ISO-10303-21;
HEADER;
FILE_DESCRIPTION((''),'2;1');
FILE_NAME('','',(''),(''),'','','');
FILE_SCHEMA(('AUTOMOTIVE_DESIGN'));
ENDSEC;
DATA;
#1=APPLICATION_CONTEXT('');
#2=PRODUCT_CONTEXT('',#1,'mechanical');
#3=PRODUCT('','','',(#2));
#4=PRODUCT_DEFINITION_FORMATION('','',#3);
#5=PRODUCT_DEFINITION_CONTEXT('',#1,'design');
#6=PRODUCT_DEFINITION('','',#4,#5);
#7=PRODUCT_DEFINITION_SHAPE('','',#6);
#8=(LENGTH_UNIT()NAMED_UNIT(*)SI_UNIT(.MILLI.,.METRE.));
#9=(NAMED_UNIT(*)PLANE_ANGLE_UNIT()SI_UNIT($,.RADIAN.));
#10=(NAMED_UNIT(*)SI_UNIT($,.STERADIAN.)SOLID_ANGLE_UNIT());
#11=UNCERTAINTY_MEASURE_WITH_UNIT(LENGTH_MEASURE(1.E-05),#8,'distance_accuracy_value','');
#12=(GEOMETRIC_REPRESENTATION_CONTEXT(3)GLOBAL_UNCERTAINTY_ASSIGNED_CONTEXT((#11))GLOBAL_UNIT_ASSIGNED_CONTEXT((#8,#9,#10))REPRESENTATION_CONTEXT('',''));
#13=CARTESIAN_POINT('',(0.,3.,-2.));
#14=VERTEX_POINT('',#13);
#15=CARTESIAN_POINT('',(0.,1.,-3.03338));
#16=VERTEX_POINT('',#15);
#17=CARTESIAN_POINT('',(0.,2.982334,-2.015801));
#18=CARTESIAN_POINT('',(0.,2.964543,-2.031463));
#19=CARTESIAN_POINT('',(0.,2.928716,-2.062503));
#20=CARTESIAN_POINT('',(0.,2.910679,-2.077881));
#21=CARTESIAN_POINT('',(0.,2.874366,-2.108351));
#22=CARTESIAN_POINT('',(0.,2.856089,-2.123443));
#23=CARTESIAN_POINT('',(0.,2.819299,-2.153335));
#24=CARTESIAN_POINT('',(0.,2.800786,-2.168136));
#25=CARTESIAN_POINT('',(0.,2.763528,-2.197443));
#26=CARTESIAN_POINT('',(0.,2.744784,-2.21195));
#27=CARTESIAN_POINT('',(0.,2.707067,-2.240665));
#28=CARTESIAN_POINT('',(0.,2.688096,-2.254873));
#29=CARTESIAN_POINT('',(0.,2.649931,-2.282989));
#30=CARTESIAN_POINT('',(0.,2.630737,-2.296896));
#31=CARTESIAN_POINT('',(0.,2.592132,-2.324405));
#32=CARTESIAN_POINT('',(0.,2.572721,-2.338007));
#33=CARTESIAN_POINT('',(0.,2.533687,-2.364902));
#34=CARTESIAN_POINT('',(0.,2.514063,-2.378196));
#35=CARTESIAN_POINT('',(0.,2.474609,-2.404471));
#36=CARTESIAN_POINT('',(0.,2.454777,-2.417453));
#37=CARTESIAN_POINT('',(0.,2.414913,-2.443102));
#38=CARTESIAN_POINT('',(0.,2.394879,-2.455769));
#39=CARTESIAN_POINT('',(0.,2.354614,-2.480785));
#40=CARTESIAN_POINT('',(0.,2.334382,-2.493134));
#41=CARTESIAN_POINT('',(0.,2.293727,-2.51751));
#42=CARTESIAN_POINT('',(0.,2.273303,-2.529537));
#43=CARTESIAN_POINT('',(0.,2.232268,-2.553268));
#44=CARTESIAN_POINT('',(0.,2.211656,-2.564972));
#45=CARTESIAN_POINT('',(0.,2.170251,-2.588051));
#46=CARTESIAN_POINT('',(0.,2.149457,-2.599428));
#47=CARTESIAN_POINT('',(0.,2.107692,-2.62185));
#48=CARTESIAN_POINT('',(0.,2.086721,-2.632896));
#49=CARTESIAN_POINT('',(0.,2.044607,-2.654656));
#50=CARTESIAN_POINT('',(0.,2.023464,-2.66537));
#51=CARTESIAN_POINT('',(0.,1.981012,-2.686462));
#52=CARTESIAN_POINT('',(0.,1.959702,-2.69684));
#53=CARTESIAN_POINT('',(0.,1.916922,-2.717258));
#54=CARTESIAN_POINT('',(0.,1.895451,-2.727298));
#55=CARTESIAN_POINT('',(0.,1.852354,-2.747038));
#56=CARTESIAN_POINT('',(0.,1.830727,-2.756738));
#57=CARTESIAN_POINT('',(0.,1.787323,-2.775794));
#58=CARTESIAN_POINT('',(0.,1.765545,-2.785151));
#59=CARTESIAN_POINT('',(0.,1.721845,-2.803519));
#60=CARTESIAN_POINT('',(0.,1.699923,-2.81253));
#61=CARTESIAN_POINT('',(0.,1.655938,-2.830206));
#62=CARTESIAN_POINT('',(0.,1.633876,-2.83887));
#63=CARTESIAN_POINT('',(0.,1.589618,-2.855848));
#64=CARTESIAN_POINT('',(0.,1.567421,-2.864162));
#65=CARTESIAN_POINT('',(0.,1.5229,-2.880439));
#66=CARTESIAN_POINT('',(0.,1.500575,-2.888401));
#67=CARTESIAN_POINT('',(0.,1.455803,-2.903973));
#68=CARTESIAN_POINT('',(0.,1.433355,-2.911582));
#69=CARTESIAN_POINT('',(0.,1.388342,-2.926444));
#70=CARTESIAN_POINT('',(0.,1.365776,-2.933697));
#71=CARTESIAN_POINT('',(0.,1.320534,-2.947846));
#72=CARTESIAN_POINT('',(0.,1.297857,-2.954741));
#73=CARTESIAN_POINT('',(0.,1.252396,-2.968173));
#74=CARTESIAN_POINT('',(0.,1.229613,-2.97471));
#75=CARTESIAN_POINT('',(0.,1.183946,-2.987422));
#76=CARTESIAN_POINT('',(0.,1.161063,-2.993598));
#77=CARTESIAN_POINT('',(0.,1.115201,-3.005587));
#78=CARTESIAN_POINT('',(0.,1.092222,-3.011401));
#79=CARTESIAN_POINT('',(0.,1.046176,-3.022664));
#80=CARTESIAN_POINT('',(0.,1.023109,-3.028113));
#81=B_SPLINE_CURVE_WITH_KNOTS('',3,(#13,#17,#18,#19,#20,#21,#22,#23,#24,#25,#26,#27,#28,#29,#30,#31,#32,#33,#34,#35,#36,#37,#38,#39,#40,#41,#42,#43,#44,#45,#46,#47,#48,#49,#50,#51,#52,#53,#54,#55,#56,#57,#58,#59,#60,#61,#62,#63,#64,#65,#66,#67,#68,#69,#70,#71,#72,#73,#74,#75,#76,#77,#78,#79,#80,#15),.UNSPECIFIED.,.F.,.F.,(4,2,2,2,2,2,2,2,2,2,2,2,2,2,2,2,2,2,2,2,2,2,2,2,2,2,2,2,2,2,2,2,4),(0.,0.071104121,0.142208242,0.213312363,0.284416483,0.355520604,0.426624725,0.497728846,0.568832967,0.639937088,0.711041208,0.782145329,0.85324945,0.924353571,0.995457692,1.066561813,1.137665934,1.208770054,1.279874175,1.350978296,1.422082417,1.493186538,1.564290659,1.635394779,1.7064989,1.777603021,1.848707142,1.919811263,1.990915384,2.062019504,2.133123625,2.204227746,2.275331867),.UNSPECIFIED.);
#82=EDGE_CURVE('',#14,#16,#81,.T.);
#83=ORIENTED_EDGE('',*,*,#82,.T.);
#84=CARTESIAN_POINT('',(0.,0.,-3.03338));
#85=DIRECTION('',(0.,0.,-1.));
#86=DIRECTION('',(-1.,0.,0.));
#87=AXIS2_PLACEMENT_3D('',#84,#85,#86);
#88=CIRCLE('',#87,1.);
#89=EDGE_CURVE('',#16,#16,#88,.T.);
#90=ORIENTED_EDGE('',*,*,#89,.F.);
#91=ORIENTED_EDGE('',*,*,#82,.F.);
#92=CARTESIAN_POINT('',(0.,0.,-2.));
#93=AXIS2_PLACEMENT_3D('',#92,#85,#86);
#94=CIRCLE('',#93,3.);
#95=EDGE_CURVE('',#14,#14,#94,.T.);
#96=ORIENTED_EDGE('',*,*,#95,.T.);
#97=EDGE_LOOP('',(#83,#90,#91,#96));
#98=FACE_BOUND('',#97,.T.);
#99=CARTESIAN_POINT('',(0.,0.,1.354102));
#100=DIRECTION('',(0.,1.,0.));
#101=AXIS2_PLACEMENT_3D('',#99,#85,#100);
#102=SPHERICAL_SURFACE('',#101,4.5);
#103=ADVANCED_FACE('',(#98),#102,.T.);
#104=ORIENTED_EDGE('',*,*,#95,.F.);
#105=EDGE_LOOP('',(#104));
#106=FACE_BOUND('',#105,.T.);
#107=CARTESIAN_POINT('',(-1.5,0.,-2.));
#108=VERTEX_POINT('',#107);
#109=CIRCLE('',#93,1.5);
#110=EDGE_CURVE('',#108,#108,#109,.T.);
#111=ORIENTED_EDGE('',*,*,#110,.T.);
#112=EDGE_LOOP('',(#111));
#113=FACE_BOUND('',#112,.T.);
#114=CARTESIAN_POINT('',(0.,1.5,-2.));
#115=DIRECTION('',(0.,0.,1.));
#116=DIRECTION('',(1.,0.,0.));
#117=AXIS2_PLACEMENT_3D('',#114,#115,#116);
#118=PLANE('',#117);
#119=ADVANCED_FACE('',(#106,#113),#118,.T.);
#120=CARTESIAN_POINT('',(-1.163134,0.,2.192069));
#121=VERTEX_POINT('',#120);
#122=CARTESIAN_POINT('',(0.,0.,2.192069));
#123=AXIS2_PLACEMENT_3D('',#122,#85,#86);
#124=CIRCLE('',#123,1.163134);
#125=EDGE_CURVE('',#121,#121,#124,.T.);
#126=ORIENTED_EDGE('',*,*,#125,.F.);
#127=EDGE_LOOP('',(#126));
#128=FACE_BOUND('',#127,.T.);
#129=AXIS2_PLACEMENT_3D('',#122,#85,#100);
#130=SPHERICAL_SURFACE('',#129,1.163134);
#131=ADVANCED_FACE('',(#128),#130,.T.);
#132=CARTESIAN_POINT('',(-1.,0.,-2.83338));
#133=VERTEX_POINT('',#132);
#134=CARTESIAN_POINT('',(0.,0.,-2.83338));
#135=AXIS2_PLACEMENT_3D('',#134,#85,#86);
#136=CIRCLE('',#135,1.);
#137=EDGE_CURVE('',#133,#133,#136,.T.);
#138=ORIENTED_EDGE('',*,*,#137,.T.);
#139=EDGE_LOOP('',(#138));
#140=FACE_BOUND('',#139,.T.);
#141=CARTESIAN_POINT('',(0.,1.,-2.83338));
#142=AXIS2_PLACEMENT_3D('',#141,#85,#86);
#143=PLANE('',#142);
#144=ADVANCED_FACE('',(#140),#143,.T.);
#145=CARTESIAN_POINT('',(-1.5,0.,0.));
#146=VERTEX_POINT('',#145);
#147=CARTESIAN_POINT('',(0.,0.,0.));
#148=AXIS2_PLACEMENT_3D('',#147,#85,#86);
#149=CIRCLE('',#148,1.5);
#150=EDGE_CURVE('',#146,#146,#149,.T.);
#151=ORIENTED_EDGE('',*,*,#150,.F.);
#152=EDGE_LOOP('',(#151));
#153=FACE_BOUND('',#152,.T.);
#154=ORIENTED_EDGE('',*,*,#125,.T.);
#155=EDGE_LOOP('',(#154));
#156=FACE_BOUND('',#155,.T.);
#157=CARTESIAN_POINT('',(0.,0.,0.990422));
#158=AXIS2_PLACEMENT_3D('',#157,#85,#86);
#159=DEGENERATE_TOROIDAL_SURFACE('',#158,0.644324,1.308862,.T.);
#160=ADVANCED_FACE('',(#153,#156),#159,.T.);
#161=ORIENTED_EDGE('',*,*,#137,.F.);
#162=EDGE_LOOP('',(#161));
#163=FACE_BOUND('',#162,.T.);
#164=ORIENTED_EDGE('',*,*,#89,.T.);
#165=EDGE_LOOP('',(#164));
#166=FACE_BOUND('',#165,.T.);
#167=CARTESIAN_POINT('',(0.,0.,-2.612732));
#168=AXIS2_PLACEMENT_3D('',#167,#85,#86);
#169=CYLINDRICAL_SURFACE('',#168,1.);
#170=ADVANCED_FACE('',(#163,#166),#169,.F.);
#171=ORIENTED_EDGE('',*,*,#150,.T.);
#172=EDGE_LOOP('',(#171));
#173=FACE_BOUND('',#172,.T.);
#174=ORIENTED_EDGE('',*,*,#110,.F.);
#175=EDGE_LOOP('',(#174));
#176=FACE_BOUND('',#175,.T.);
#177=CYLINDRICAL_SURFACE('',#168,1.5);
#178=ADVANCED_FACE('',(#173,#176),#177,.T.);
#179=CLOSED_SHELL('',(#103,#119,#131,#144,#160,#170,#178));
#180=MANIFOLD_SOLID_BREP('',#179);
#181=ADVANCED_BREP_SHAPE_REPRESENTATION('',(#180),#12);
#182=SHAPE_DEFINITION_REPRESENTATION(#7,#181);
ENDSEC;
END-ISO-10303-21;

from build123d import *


with BuildPart() as part:
    # Sketch1 → Revolve1 (revolve)
    with BuildSketch(Plane(origin=(0, 0, 0), x_dir=(0, 0, -1), z_dir=(1, 0, 0)), mode=Mode.PRIVATE) as revolve1_sk:
        with BuildLine():
            Line((0, 1.5), (2, 1.5))
            Line((2, 1.5), (2, 3))
            ThreePointArc((2, 3), (2.643776387, 2.065664221), (3.033380227, 1))
            Line((3.033380227, 1), (2.833380227, 1))
            Line((2.833380227, 1), (2.833380227, 0))
            Line((2.833380227, 0), (-3.355203179, 0))
            ThreePointArc((-3.355203179, 0), (-3.014528985, 0.822460259), (-2.192068726, 1.163134453))
            ThreePointArc((-2.192068726, 1.163134453), (-1.18922755, 1.937998702), (0, 1.5))
        make_face()
    revolve(revolve1_sk.sketch.rotate(Axis((0, 0, -2.612732095), (0, 0, 1)), 90), axis=Axis((0, 0, -2.612732095), (0, 0, 1)))


solid = part.part
